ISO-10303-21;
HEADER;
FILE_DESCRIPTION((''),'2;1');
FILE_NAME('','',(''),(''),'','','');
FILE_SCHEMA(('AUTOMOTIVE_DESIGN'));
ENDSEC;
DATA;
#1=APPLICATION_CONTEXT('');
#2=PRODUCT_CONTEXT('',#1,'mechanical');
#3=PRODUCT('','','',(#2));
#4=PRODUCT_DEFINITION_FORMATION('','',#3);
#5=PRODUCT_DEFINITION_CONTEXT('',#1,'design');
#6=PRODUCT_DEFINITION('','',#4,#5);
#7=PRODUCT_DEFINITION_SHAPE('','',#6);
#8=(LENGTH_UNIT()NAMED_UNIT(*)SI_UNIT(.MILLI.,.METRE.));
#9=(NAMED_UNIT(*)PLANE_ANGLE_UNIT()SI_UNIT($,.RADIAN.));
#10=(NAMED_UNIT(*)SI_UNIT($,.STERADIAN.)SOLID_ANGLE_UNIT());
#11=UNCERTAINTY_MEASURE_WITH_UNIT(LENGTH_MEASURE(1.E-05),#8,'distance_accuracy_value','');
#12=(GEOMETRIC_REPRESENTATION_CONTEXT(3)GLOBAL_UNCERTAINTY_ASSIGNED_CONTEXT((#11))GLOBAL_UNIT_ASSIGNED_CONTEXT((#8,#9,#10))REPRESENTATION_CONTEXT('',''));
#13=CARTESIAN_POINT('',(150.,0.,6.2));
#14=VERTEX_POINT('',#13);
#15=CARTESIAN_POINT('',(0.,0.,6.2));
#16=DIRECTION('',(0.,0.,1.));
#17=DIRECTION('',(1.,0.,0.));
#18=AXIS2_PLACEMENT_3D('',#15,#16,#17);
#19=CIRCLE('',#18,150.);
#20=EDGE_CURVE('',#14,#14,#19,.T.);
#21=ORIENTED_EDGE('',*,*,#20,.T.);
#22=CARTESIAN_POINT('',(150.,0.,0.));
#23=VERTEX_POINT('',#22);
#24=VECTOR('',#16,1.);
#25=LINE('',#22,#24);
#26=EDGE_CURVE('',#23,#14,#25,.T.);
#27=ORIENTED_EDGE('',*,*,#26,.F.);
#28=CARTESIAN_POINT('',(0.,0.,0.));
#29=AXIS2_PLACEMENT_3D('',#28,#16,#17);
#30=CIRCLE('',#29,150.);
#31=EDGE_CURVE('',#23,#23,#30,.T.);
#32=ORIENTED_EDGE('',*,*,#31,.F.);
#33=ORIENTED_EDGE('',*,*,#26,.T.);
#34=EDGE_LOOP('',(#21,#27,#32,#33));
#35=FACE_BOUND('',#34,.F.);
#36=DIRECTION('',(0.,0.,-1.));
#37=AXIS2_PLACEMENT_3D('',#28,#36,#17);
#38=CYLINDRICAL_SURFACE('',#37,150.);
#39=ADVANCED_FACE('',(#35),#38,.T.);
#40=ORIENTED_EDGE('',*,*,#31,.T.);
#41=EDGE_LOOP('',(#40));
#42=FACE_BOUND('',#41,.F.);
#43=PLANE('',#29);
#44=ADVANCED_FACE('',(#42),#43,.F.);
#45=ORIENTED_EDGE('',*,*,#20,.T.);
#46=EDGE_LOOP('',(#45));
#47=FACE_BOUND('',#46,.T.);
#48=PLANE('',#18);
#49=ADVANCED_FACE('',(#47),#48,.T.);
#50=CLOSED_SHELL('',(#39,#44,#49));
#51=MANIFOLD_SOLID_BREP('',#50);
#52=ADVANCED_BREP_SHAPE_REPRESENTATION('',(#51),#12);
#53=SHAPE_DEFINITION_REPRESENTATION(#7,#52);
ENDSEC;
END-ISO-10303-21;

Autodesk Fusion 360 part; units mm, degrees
sketch "Sketch1" plane through (0, 0, 0) normal (0, 0, 1) x (1, 0, 0)
  circle A0 centre (0, 0) radius 150
  dimension "d1" = 300
extrude "Extrude1" add sketch "Sketch1" along normal blind 6.2
sketch "Sketch3" plane through (0, 0, 0) normal (1, 0, 0) x (0, 1, 0)
  line L0 (0, 25) -> (100, 25)
  line L1 (0, 25) -> (0, 455) construction
  circle A0 centre (0, 421) radius 14
  line L2 (0, 0) -> (0, 25) construction
  line L3 (0, 421) -> (-14, 421) construction
  line L4 (0, 421) -> (14, 421) construction
  line L5 (14, 421) -> (34, 421) construction
  line L6 (34.6123, 417.326) -> (100, 25)
  arc A1 (33.9262, 423.2389) -> (0, 455) centre (0, 421) ccw
  line L7 (-14, 421) -> (-34, 421) construction
  arc A2 (33.9262, 423.2389) -> (34.6123, 417.326) centre (93.796, 427.1899) ccw
  arc A3 (0, 455) -> (-33.9262, 423.2389) centre (0, 421) ccw
  line L8 (-34.6123, 417.326) -> (-100, 25)
  line L9 (0, 25) -> (-100, 25)
  arc A4 (-34.6123, 417.326) -> (-33.9262, 423.2389) centre (-93.796, 427.1899) ccw
  dimension "d11" = 430
  dimension "d13" = 28
  dimension "d14" = 20
  dimension "d15" = 60
